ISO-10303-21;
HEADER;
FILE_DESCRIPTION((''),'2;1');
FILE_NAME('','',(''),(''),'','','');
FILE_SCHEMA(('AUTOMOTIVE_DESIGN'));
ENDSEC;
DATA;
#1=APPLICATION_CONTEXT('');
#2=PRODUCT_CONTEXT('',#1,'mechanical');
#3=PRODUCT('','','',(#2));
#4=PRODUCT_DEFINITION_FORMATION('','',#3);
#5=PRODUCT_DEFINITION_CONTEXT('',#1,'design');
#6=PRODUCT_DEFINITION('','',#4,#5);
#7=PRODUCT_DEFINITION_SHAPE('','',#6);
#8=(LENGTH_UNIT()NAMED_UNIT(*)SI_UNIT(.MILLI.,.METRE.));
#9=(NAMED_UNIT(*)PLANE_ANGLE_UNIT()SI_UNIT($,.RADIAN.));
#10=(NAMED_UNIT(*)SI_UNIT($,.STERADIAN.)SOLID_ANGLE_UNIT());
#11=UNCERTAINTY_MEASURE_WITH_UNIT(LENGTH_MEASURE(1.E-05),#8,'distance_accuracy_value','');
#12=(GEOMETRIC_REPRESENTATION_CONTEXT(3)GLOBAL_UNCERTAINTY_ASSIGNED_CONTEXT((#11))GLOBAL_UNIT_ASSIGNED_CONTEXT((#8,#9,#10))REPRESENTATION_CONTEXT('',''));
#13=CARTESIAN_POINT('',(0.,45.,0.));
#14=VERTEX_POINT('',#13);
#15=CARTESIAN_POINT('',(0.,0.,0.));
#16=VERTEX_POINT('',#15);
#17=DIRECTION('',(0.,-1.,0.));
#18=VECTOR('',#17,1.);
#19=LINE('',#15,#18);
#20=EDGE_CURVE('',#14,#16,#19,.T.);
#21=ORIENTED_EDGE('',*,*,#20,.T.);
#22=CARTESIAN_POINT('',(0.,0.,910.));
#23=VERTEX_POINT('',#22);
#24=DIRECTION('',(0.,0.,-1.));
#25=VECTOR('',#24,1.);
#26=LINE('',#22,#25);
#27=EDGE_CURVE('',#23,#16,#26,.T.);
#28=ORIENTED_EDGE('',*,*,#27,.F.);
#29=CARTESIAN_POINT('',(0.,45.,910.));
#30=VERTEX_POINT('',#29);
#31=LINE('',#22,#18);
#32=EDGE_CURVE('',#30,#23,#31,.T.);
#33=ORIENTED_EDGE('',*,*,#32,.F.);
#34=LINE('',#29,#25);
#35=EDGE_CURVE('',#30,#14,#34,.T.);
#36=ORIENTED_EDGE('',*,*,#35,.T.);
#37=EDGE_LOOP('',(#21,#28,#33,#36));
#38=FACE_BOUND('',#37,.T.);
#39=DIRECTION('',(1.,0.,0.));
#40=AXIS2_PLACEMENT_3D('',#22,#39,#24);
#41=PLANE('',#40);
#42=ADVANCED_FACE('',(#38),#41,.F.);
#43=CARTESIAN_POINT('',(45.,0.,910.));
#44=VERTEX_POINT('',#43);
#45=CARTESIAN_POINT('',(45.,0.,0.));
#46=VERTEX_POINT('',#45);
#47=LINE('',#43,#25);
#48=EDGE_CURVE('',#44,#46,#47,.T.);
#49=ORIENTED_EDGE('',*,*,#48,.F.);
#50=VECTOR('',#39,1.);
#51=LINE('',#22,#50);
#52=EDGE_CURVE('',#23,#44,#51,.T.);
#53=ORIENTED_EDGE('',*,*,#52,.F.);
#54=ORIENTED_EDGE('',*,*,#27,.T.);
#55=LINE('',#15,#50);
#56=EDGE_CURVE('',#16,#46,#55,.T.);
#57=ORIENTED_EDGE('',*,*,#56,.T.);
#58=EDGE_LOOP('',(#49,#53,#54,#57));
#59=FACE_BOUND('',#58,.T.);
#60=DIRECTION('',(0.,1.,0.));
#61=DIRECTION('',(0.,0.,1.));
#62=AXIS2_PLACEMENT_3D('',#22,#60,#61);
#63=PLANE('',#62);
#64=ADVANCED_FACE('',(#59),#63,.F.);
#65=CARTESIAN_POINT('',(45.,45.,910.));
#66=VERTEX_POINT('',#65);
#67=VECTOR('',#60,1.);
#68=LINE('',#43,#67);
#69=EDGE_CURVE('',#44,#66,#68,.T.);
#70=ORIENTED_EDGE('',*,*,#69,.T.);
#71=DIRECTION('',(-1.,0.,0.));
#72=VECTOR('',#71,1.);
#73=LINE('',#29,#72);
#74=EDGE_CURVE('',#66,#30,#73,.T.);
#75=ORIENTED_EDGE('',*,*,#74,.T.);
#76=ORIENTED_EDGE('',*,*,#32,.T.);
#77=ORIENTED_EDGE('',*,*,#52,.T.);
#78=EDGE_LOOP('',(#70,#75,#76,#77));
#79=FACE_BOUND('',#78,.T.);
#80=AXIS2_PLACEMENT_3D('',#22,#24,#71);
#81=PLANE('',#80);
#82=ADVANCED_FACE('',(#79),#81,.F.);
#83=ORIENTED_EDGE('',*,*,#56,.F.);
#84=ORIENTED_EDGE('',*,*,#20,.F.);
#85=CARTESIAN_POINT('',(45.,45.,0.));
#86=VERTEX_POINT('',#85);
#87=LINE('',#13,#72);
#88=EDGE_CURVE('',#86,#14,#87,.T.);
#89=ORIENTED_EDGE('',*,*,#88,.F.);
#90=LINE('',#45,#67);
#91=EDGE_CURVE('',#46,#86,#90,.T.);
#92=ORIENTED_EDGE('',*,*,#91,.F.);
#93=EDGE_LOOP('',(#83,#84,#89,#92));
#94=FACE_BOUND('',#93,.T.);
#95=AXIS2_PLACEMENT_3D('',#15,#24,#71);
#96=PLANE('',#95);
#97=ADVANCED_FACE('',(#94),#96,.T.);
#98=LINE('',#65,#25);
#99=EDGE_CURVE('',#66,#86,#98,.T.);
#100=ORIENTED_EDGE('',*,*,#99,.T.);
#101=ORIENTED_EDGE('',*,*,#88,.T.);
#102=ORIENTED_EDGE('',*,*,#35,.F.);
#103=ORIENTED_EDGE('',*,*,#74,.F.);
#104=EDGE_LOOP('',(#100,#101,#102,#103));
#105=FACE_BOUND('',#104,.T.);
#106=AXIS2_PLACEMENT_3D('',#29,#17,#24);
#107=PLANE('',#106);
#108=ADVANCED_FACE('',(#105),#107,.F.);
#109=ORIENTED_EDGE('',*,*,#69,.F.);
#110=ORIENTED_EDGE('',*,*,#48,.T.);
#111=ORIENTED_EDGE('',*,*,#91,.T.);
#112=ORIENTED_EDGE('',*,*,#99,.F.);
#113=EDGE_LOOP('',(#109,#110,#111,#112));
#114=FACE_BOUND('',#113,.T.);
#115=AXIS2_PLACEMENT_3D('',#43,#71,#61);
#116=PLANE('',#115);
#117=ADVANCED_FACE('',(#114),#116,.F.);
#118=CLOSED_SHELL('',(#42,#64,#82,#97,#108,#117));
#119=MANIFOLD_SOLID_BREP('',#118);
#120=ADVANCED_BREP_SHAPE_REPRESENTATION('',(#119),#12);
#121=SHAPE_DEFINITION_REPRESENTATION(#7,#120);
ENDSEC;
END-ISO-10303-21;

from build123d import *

# Parameters (mm, degrees)
SKETCH1_W           = 45
SKETCH1_H           = 45
BOSS_EXTRUDE1_DEPTH = 910


with BuildPart() as part:
    # Sketch1 → Boss-Extrude1 (new body)
    with BuildSketch(Plane.XY):
        with Locations((22.5, 22.5)):
            Rectangle(SKETCH1_W, SKETCH1_H)
    extrude(amount=BOSS_EXTRUDE1_DEPTH)


solid = part.part
